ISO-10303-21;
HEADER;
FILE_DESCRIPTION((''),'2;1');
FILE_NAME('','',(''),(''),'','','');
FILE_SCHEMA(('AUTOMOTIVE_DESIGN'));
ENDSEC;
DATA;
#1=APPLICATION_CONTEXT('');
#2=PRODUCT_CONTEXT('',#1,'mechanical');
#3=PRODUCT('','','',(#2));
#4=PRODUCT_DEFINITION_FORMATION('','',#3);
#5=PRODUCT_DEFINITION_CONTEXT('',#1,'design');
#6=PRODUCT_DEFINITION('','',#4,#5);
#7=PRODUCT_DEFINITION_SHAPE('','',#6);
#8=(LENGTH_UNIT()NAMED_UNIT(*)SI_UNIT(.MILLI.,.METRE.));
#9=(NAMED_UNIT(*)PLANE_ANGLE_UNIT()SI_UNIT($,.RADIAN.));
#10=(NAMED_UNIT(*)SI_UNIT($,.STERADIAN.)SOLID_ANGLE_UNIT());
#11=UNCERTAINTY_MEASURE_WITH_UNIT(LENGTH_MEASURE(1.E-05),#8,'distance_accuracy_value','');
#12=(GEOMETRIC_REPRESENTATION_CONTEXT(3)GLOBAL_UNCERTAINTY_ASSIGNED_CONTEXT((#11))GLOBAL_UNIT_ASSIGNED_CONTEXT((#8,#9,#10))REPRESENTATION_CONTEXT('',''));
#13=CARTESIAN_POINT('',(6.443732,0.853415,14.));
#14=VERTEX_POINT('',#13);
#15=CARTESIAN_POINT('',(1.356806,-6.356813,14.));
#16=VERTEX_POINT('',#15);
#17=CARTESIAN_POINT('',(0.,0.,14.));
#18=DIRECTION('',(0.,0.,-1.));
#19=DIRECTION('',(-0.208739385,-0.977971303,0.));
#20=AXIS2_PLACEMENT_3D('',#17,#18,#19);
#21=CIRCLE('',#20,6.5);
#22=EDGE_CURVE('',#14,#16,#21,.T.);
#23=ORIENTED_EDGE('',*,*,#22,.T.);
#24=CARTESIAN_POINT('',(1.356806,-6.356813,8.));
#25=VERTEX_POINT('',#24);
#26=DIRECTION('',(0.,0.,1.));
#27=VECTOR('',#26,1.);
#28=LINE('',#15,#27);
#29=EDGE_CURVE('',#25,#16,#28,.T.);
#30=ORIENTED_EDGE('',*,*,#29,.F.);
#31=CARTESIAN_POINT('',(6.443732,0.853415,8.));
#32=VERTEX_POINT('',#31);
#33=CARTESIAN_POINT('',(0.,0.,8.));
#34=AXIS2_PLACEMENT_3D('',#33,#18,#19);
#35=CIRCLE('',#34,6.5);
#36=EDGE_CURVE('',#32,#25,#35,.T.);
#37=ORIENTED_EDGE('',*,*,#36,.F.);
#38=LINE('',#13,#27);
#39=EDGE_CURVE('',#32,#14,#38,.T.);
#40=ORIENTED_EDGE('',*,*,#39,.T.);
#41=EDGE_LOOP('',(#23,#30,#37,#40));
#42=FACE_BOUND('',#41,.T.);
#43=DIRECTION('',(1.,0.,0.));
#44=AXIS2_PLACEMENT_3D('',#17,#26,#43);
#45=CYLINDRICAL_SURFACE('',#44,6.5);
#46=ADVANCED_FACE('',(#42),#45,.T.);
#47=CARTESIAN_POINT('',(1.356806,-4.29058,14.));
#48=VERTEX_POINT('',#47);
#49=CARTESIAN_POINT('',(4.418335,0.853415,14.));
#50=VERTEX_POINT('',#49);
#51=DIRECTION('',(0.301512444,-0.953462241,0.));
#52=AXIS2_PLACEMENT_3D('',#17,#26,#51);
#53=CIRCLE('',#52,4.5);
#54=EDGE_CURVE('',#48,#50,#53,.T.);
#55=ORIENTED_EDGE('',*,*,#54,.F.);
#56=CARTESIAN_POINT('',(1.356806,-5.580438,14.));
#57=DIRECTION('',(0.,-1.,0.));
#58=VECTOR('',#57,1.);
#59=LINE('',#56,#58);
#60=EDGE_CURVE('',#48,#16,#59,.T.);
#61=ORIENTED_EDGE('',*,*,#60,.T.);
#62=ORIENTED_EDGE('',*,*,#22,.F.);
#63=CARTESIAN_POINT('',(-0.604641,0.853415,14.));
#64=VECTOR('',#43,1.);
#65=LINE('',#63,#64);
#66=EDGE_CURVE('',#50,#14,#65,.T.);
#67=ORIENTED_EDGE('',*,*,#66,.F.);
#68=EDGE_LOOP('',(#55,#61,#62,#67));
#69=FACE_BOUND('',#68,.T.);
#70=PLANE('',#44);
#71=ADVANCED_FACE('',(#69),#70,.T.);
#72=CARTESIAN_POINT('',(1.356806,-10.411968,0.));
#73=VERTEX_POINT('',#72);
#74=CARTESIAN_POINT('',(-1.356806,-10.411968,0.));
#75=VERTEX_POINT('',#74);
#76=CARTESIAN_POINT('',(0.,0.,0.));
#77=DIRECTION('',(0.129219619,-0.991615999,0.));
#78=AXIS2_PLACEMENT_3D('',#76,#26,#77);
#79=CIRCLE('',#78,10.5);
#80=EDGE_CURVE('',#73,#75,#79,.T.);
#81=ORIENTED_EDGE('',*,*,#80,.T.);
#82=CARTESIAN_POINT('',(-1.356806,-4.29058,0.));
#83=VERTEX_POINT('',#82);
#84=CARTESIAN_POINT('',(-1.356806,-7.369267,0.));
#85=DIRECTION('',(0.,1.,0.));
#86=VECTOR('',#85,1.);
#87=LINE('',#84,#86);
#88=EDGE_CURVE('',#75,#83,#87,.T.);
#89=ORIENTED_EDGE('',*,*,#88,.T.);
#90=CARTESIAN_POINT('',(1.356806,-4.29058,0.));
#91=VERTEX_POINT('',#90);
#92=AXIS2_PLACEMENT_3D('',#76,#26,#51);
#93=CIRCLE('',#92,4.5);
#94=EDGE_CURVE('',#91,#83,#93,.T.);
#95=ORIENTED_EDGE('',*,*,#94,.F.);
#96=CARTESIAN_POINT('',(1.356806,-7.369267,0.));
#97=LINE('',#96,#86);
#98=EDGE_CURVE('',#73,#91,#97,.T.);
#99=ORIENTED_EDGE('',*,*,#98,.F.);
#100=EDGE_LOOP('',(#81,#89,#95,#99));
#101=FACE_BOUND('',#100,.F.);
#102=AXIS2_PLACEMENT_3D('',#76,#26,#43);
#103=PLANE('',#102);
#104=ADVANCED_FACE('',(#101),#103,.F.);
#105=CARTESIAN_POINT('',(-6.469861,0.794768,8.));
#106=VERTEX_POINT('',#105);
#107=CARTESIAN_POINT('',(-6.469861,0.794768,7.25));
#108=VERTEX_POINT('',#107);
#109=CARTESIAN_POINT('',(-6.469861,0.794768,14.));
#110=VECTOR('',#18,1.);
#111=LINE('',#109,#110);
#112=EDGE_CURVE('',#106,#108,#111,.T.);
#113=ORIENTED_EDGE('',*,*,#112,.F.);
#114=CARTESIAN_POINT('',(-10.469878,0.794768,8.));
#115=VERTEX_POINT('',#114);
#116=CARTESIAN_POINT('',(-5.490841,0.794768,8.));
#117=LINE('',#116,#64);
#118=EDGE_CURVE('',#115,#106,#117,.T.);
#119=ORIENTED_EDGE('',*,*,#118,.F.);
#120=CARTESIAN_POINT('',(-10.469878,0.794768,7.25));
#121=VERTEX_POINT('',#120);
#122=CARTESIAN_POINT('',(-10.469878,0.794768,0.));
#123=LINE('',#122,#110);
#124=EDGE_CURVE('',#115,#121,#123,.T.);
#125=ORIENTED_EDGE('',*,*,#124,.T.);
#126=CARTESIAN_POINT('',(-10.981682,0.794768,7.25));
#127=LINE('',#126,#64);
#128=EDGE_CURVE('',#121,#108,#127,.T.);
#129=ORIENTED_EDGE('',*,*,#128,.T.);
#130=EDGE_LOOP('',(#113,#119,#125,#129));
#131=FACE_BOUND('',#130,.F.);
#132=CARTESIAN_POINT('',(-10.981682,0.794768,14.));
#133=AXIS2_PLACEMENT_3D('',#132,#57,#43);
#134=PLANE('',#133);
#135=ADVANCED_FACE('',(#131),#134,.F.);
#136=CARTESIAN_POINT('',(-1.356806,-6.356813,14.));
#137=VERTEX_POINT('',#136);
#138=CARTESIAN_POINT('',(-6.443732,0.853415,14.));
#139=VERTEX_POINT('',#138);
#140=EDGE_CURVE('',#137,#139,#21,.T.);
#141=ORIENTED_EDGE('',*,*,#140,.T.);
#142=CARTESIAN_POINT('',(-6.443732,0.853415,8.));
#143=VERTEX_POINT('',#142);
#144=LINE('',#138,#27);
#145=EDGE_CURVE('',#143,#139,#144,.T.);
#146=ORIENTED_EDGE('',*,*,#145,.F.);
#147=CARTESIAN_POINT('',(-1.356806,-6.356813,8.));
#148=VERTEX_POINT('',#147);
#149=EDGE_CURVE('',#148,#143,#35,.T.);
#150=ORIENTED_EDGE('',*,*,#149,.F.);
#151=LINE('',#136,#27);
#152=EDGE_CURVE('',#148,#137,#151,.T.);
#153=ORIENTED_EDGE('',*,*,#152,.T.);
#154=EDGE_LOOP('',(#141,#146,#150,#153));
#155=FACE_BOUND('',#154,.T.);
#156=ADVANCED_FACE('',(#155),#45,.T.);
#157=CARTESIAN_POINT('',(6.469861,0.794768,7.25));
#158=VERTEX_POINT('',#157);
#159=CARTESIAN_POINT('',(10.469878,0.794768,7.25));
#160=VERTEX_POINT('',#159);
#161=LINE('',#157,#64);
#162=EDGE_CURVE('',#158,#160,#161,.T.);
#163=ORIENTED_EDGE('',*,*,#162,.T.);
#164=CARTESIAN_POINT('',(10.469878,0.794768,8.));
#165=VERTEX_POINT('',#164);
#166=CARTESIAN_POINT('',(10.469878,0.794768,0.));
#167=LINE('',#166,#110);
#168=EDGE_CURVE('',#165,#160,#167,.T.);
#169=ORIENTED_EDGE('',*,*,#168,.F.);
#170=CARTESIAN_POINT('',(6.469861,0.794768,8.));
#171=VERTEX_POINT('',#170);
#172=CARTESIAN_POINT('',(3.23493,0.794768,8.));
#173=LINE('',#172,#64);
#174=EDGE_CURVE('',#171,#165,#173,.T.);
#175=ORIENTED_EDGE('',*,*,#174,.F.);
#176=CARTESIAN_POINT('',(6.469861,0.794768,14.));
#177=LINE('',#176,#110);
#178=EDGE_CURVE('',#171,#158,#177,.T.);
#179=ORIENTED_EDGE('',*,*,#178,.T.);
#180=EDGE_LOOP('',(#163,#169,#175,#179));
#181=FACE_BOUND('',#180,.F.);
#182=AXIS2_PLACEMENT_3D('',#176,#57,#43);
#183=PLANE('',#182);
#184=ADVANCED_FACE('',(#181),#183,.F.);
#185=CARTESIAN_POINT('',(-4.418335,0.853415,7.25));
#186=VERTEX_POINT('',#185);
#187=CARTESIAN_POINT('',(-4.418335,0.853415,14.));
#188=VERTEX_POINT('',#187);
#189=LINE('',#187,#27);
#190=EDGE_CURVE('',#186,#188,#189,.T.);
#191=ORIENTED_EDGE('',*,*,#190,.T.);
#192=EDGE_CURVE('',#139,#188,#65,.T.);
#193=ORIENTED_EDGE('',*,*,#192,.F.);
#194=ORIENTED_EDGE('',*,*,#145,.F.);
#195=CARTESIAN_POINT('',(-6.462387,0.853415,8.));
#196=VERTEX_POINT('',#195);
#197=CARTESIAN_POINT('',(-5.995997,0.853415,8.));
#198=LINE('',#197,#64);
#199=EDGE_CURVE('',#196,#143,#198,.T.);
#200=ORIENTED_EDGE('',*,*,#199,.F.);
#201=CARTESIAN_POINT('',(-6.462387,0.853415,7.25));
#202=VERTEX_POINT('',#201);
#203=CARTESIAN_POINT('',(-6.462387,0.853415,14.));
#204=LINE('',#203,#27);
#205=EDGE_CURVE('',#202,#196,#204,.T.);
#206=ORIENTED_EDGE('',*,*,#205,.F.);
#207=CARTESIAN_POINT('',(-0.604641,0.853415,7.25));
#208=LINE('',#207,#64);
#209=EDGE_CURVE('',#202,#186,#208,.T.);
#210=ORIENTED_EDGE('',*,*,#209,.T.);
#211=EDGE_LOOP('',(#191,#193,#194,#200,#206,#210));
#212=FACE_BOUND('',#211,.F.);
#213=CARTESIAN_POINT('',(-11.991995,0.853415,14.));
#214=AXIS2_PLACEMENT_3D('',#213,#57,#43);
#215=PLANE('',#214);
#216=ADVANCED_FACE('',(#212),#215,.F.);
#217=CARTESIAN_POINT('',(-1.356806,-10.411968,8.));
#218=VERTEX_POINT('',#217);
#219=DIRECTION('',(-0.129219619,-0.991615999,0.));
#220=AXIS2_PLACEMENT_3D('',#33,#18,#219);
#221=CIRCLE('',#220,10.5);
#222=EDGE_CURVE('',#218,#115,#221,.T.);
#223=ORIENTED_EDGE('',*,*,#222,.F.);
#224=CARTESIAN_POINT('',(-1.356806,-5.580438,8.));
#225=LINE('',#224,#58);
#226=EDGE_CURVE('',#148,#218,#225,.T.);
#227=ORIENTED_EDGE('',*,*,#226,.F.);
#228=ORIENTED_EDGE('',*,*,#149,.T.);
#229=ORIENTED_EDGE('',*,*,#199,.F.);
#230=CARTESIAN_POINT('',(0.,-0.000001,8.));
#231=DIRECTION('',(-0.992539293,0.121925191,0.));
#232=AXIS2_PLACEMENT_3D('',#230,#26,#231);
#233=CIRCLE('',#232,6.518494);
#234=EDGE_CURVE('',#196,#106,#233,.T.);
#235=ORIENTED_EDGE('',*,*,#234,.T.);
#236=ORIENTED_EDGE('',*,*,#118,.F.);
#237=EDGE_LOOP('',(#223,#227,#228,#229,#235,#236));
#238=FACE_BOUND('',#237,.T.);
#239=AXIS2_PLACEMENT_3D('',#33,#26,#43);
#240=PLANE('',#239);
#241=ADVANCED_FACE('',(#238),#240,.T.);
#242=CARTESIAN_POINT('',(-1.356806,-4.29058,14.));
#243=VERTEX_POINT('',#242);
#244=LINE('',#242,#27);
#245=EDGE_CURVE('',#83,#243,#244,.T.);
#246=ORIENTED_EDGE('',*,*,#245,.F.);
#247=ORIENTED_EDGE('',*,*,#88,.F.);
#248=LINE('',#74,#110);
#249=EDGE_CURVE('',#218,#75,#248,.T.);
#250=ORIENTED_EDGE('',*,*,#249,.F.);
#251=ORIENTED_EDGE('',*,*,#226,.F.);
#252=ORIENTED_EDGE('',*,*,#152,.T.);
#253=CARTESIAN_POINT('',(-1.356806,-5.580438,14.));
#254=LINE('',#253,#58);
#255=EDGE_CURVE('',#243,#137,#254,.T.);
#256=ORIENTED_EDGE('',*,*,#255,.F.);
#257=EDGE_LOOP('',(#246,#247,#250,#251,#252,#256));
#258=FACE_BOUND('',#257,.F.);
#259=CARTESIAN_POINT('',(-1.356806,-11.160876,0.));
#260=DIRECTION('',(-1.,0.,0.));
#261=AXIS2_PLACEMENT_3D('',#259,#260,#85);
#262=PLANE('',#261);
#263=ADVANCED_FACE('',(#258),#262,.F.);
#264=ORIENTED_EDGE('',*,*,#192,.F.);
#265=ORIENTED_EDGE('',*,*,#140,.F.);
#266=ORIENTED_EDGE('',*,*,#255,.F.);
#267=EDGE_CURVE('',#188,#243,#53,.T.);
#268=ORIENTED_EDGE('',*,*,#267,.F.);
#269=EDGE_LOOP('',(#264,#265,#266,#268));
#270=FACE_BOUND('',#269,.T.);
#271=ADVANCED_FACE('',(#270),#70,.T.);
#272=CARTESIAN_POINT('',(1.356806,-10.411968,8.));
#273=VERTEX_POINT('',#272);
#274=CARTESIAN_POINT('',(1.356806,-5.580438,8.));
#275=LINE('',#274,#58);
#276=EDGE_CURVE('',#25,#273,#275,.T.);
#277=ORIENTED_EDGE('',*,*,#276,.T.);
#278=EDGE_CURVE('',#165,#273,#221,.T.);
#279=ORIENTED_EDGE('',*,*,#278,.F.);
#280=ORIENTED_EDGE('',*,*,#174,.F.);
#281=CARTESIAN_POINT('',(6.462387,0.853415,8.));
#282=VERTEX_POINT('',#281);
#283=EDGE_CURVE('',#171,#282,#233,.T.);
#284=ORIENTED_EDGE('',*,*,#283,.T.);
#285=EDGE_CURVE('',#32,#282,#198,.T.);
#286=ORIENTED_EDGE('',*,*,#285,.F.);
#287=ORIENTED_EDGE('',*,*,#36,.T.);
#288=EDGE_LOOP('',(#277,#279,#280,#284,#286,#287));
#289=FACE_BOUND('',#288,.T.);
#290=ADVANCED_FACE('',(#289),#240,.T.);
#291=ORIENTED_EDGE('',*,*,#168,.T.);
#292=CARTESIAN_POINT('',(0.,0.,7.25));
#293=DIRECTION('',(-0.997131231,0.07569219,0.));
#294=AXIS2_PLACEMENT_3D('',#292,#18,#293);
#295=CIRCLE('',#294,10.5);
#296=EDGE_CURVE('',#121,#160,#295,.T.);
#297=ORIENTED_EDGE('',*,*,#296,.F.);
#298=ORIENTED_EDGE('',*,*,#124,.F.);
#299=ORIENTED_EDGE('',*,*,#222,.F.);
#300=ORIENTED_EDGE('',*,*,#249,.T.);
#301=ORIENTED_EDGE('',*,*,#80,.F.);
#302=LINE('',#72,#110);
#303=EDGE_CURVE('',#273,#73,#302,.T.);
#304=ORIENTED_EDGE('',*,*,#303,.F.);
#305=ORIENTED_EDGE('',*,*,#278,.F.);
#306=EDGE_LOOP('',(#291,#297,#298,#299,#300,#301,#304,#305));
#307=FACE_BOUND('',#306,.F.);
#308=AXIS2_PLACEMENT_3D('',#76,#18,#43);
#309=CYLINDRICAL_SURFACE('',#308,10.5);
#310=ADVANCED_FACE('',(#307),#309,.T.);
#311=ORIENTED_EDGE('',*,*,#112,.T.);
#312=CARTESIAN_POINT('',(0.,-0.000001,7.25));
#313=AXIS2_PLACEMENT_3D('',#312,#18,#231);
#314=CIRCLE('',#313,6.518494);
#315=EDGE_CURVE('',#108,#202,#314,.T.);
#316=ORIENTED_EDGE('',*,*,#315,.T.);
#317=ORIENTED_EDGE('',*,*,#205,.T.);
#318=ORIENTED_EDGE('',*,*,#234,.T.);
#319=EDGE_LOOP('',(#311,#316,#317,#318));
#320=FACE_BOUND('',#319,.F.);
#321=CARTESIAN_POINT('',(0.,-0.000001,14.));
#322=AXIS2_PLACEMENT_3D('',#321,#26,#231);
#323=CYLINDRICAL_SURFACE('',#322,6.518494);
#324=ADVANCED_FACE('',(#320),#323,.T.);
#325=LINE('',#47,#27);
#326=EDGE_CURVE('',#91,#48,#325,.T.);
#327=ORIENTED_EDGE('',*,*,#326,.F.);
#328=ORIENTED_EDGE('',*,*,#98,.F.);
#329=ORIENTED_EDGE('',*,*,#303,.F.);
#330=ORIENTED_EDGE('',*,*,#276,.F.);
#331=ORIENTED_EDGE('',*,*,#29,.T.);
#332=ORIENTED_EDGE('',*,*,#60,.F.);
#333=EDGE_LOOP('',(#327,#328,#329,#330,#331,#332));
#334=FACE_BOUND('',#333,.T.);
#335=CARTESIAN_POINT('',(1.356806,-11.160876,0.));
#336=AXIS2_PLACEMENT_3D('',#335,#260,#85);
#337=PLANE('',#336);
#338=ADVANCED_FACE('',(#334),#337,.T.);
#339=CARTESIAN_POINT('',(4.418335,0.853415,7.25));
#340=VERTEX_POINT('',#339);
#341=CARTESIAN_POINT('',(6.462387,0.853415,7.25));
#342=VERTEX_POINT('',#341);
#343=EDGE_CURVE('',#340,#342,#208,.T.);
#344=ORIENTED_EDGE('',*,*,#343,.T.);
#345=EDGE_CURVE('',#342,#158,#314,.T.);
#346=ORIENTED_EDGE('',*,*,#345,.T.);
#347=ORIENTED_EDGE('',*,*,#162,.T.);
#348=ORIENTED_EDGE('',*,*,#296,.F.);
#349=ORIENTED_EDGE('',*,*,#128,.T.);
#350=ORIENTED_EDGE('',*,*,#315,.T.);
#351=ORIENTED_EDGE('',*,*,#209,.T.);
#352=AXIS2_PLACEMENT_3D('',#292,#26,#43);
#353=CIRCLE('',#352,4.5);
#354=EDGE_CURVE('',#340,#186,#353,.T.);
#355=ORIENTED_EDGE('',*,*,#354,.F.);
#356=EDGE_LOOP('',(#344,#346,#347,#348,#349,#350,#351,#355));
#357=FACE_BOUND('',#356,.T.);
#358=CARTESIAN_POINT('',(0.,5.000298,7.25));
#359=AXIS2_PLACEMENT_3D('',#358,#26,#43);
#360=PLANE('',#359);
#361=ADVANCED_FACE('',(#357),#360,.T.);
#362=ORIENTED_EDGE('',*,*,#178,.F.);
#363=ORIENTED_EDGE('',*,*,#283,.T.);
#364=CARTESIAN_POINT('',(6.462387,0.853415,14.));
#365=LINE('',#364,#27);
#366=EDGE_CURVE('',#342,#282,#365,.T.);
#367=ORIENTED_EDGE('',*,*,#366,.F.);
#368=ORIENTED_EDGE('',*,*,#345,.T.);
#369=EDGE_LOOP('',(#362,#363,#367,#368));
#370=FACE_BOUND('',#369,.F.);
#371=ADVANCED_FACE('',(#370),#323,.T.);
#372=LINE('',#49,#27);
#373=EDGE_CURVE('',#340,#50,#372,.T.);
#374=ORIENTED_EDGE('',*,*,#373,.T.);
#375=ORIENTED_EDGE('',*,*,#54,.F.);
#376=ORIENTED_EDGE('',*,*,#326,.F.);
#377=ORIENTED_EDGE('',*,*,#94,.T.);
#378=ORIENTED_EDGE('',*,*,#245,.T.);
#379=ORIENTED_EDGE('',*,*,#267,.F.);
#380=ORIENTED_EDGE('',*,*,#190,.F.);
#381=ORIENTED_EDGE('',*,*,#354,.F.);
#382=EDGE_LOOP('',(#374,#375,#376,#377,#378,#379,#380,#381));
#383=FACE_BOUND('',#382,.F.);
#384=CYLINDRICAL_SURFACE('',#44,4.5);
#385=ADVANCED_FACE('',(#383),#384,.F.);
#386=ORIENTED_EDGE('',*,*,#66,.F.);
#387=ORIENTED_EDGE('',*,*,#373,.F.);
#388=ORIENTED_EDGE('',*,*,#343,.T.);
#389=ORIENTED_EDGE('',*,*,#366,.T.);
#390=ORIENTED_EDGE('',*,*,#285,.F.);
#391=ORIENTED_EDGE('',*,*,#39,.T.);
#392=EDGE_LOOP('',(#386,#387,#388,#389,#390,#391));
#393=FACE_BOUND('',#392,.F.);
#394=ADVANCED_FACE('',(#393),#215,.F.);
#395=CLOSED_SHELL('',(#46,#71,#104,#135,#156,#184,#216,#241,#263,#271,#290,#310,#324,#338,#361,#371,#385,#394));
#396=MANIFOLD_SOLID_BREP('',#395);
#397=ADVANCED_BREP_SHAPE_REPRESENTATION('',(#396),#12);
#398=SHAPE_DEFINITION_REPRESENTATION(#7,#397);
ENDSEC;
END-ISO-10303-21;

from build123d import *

# Parameters (mm, degrees)
F0_R      = 10.5
F1_DEPTH  = 14
F2_R      = 10.5
F2_R_2    = 6.5
F3_DEPTH  = 6
F4_R      = 4.5
F5_DEPTH  = 14.001
F6_W      = 2.713612
F6_H      = 7.583218
F7_DEPTH  = 14.001
F9_DEPTH  = 6.75
F10_W     = 22.774708
F10_H     = 11.08392
F11_DEPTH = 6.75


with BuildPart() as f1:
    # F0 (on Top) → F1 (new body)
    with BuildSketch(Plane.XY):
        Circle(F0_R)
    extrude(amount=F1_DEPTH)

    # F2 (on face) → F3 (cut)
    with BuildSketch(Plane.XY.offset(14)):
        Circle(F2_R)
        Circle(F2_R_2, mode=Mode.SUBTRACT)
    extrude(amount=-F3_DEPTH, mode=Mode.SUBTRACT)

    # F4 (on face) → F5 (cut, through all)
    with BuildSketch(Plane.XY.offset(14)):
        Circle(F4_R)
    extrude(amount=-F5_DEPTH, mode=Mode.SUBTRACT)

    # F6 (on Top) → F7 (cut, through all)
    with BuildSketch(Plane.XY):
        with Locations((0, -7.369267)):
            Rectangle(F6_W, F6_H)
    extrude(amount=F7_DEPTH, mode=Mode.SUBTRACT)

    # F8 (on face) → F9 (cut)
    with BuildSketch(Plane.XY.offset(14)):
        with BuildLine():
            ThreePointArc((10.981682, 0.794768), (0, 11.010404), (-10.981682, 0.794768))
            Line((-10.981682, 0.794768), (-6.469861, 0.794768))
            ThreePointArc((-6.469861, 0.794768), (0, 6.518493), (6.469861, 0.794768))
            Line((6.469861, 0.794768), (10.981682, 0.794768))
        make_face()
    extrude(amount=-F9_DEPTH, mode=Mode.SUBTRACT)

    # F10 (on face) → F11 (cut)
    with BuildSketch(Plane.XY.offset(14)):
        with Locations((-0.604641, 6.395375)):
            Rectangle(F10_W, F10_H)
    extrude(amount=-F11_DEPTH, mode=Mode.SUBTRACT)


solid = f1.part
